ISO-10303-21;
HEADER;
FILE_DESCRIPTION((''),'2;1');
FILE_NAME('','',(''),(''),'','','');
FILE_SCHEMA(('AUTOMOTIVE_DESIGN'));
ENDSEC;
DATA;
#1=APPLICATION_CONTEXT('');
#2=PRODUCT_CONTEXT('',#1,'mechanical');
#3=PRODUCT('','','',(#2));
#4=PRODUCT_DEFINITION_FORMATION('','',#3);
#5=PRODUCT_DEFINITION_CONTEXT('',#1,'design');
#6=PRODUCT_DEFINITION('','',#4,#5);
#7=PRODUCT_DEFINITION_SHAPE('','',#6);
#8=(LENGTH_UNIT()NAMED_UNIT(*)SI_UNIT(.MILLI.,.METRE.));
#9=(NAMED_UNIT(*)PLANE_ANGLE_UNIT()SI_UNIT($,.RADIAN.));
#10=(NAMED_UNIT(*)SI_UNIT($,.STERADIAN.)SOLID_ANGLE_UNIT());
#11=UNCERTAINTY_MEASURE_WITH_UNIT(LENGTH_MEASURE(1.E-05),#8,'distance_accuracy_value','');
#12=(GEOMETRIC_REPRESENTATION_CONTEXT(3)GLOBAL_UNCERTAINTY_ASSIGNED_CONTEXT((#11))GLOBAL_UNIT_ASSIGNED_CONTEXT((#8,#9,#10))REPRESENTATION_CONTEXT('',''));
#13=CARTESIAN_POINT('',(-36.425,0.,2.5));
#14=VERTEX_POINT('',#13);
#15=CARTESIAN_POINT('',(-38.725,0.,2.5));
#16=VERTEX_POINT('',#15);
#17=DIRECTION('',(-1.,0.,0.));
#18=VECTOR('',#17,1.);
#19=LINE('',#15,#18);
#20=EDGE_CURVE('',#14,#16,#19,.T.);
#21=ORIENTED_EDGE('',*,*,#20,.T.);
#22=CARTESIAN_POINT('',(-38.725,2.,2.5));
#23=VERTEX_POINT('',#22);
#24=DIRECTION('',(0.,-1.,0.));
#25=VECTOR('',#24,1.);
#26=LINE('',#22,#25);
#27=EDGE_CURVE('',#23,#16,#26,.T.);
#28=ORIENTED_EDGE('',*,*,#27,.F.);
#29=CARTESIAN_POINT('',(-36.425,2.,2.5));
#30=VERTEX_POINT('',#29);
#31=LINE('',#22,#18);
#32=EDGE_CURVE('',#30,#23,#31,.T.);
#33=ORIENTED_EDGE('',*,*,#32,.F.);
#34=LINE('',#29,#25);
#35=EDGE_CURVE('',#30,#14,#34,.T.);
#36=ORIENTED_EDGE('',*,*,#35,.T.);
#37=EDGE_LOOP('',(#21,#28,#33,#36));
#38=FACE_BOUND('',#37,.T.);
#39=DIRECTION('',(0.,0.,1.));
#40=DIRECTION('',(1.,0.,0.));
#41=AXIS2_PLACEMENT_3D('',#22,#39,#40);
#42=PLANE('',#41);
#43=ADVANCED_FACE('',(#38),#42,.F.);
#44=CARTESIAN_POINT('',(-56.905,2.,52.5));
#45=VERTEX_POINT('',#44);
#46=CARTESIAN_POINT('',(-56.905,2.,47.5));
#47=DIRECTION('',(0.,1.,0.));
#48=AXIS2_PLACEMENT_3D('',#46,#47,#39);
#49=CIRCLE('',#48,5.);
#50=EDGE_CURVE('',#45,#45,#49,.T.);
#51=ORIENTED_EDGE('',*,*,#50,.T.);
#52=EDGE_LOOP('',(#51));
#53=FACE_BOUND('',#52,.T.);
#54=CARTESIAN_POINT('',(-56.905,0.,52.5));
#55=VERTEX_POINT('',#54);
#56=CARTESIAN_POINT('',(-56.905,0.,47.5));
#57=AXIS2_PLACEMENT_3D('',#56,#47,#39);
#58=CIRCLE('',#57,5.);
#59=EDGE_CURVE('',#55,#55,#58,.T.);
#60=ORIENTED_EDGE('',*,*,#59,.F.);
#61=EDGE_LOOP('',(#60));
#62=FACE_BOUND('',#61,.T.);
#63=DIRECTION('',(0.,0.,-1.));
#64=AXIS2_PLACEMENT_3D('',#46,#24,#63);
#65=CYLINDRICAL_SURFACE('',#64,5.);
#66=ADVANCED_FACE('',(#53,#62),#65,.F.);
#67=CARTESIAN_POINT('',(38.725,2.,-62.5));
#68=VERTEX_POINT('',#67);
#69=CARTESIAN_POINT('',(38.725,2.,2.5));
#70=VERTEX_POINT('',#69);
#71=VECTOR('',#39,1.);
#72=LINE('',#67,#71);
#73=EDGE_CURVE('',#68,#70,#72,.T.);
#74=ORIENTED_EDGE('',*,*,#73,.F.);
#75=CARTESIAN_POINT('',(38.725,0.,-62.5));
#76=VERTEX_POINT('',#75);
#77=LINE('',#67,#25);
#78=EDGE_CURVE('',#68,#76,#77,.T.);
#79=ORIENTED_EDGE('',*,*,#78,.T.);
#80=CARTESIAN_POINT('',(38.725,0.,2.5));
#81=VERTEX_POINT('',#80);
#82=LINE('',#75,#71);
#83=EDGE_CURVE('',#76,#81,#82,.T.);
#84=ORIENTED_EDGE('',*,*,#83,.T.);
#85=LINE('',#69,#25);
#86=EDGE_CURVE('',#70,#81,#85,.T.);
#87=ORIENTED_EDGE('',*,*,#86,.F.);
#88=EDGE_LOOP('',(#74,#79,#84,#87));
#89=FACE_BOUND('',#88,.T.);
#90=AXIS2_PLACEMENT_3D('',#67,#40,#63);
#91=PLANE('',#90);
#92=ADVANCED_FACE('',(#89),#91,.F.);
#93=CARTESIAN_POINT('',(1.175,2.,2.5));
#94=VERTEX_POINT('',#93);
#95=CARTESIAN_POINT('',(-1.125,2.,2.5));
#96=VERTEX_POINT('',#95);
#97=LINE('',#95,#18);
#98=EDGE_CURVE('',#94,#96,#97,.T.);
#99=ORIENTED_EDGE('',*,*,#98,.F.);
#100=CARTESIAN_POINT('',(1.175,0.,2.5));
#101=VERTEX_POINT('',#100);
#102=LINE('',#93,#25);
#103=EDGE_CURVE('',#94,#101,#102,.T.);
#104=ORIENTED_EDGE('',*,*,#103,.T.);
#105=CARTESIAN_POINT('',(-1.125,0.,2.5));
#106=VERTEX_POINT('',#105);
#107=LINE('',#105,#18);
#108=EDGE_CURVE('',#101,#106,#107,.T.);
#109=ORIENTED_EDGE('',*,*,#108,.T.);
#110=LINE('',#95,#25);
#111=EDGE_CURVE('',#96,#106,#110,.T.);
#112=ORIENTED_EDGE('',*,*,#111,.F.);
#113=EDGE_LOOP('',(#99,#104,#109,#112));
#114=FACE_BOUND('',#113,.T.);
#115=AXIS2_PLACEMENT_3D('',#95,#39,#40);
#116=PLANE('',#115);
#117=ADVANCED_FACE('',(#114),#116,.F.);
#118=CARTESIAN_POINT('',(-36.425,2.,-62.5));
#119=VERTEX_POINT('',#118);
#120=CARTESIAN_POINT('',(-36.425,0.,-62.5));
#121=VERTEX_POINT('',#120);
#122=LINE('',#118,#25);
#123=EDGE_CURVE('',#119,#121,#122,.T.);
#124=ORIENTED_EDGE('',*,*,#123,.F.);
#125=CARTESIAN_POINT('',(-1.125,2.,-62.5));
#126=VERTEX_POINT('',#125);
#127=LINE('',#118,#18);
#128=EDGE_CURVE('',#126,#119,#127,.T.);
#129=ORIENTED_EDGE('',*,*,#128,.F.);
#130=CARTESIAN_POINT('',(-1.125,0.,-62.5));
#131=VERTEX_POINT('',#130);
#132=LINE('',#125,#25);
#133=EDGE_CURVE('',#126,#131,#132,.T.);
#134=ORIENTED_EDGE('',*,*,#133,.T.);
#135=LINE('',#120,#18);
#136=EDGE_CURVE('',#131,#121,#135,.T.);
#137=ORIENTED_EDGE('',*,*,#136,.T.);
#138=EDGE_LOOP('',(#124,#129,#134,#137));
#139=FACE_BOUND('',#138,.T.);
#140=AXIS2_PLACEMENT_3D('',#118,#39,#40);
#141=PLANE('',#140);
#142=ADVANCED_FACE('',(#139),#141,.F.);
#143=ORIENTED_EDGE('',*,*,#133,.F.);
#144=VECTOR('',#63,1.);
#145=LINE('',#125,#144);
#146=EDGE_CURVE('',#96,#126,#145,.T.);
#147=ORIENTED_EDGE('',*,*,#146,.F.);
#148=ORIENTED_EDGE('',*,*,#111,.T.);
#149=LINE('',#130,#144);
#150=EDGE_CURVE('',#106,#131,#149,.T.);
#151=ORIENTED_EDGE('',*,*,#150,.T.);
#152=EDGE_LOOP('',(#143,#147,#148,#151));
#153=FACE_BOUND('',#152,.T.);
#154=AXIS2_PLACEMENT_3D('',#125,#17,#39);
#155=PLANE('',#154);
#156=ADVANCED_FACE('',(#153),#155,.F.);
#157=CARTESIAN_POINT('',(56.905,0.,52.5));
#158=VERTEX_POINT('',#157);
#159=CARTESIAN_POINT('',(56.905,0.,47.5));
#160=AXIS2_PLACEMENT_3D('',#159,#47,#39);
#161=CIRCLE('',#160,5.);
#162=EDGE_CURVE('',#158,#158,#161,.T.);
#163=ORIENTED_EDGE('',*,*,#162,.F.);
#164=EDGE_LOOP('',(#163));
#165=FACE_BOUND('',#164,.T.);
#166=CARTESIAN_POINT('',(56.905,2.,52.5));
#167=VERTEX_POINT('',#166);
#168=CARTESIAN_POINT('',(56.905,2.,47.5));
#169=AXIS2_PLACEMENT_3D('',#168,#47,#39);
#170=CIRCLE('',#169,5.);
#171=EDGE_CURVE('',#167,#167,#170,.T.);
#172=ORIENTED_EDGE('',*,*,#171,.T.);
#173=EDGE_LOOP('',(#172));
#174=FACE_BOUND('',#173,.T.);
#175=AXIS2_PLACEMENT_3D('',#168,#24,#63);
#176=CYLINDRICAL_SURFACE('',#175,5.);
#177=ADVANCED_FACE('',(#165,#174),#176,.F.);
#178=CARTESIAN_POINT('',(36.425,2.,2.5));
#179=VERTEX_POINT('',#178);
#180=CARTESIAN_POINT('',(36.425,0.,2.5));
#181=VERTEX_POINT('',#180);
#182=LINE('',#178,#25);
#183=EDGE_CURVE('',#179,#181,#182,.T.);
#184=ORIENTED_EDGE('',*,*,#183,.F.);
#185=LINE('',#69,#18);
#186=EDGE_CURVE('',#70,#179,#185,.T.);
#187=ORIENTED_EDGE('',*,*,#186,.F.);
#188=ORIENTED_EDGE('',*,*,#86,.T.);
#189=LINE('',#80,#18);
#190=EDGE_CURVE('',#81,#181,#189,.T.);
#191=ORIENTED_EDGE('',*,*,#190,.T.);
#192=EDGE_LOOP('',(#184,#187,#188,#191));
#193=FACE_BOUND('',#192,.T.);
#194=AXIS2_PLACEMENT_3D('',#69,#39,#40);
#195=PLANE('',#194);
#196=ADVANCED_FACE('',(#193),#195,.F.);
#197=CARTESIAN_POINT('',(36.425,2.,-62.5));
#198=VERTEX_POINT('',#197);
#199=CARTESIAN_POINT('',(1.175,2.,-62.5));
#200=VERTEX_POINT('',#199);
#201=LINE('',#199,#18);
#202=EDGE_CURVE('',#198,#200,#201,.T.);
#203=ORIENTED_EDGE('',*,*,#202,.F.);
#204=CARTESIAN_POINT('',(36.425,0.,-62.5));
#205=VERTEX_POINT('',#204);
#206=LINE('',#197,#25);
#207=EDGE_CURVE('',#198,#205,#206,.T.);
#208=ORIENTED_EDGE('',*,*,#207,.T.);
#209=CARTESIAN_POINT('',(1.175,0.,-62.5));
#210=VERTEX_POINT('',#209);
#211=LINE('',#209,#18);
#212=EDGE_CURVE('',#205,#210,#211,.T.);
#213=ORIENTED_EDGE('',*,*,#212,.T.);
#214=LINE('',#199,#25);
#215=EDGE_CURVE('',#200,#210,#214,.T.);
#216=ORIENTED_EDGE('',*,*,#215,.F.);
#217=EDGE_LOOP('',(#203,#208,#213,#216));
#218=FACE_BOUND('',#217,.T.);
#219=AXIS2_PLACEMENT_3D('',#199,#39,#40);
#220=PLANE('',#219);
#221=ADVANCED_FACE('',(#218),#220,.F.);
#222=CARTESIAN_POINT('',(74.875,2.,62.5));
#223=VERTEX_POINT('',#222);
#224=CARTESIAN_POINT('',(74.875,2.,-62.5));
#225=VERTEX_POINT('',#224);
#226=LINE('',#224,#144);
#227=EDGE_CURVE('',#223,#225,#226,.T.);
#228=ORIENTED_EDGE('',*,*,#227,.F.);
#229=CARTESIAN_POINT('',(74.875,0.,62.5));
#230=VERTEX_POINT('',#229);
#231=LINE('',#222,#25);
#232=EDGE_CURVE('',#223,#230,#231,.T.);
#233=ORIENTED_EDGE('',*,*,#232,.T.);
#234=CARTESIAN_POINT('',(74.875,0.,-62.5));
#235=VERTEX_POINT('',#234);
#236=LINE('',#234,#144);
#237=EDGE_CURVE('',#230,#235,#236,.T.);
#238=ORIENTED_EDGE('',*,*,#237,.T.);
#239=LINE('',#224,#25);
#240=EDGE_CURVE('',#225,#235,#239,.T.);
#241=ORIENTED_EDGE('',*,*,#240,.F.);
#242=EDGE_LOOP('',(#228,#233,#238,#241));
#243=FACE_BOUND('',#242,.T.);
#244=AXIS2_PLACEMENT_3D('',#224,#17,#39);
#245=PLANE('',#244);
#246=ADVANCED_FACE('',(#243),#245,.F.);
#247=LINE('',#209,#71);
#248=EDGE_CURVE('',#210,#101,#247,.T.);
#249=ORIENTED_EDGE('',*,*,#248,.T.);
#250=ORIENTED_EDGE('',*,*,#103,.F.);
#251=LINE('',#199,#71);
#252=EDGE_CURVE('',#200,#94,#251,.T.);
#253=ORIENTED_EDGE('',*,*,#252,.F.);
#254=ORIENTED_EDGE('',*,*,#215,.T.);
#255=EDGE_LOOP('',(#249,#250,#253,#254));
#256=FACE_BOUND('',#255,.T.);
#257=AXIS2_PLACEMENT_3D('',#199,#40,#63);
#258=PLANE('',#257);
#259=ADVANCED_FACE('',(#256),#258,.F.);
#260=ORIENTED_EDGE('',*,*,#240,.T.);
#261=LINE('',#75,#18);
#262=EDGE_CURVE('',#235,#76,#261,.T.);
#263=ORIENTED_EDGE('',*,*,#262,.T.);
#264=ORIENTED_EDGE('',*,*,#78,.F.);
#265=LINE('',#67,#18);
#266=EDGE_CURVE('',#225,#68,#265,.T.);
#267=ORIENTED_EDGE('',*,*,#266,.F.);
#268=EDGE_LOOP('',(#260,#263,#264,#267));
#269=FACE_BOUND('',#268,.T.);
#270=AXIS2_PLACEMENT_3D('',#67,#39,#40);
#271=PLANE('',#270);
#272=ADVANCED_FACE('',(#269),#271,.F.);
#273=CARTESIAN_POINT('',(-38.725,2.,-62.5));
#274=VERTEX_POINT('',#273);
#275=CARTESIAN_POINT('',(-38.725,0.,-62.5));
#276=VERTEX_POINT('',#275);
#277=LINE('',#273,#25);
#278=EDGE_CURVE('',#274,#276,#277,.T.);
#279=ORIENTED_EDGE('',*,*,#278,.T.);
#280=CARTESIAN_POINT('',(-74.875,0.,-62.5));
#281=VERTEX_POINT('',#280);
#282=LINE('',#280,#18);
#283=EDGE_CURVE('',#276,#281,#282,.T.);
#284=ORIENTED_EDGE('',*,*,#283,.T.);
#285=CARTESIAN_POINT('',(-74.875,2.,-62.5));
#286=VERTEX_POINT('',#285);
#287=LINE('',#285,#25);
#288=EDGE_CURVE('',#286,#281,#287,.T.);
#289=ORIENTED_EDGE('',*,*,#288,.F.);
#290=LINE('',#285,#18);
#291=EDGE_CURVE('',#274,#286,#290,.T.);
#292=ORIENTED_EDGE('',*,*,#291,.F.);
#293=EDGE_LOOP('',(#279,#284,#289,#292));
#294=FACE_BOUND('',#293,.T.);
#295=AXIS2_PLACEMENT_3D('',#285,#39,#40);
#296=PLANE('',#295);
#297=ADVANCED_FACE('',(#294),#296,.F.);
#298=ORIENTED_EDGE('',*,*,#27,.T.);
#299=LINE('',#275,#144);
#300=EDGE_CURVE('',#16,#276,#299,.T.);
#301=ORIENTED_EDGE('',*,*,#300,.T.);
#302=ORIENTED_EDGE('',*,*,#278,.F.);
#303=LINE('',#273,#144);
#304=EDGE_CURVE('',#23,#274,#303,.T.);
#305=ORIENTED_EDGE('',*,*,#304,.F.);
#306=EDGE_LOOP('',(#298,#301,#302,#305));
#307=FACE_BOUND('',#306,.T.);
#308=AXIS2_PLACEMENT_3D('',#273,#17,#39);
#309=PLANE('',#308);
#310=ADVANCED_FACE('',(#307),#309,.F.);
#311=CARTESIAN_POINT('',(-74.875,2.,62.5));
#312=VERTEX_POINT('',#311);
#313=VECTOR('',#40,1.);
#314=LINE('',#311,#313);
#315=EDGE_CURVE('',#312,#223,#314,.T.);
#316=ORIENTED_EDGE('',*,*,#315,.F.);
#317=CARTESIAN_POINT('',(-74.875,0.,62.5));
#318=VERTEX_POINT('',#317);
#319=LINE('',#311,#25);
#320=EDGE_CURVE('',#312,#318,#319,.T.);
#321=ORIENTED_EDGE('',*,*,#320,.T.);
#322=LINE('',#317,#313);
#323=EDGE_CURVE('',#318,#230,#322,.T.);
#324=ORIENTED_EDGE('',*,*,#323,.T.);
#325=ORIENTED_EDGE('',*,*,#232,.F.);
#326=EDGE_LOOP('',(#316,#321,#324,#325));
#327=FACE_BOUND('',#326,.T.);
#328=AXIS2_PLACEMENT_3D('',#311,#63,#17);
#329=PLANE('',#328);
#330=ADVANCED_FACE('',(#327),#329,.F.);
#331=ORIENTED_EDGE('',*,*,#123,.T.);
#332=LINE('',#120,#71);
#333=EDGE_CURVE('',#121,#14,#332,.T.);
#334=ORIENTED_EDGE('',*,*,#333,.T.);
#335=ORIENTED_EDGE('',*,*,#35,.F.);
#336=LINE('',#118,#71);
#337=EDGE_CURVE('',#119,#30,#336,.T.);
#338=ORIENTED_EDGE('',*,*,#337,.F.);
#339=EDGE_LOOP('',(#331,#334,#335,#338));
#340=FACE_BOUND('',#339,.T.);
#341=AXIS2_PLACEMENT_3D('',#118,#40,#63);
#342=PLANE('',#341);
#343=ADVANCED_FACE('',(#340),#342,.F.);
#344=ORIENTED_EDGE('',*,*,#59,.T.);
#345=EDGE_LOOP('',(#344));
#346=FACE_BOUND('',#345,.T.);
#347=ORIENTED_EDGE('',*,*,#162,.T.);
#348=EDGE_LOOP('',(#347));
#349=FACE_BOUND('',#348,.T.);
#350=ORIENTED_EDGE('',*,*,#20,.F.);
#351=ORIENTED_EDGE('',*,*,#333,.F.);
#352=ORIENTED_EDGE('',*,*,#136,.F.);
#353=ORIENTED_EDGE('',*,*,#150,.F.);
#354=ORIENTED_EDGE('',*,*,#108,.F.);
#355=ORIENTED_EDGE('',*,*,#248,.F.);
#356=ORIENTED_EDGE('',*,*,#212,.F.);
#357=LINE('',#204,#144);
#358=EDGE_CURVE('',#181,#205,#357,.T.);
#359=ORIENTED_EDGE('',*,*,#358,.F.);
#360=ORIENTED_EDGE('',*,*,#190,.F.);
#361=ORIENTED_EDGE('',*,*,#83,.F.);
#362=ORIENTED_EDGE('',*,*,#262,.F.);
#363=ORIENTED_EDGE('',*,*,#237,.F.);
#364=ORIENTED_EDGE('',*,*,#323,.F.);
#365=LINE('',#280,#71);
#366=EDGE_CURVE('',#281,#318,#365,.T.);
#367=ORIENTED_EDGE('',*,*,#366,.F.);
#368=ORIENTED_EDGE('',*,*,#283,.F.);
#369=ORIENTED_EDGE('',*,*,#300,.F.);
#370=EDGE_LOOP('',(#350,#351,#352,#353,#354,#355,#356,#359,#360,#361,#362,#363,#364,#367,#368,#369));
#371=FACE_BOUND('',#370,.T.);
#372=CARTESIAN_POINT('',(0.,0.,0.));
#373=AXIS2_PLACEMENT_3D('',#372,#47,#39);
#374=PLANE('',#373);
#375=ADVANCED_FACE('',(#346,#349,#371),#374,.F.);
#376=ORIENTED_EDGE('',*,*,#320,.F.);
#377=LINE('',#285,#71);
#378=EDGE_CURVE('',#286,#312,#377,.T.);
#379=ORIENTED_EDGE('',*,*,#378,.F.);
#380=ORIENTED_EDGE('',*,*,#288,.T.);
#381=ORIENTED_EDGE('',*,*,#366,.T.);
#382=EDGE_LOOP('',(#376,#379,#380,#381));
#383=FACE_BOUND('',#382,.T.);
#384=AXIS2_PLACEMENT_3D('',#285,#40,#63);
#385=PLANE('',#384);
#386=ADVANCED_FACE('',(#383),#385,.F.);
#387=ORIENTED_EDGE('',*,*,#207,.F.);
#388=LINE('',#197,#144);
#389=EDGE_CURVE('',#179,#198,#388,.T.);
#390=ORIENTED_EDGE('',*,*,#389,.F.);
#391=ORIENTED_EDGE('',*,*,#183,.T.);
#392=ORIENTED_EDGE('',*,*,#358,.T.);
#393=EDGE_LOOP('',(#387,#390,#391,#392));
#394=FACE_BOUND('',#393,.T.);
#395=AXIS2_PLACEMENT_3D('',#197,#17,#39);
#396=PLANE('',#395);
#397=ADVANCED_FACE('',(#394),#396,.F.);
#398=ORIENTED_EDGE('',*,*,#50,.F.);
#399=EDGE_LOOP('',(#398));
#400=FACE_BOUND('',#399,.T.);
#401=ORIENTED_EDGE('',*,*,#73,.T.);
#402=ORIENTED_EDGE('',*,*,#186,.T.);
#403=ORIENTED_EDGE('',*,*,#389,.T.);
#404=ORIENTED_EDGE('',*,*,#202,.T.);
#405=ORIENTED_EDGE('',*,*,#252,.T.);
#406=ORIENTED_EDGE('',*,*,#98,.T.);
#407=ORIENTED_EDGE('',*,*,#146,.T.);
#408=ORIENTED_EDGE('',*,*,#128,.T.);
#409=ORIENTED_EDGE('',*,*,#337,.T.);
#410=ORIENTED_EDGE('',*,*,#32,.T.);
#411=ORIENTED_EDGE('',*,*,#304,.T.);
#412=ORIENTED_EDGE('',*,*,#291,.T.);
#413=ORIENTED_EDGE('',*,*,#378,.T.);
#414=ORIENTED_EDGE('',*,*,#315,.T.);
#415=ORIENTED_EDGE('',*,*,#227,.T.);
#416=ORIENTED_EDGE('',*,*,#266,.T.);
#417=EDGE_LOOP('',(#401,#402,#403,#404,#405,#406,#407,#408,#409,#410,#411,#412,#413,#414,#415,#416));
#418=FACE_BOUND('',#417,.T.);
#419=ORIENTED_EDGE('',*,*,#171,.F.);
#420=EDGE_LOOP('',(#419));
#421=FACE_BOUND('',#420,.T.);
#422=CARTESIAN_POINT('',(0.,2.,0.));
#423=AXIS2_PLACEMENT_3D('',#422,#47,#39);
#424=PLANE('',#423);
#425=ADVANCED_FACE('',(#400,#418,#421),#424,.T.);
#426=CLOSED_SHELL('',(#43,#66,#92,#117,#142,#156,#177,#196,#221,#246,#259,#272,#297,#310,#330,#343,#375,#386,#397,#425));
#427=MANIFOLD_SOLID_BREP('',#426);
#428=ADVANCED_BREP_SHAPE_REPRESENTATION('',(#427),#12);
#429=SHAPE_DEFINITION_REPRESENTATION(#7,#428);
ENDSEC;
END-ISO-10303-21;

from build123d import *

# Parameters (mm, degrees)
SKETCH1_R           = 5
BOSS_EXTRUDE1_DEPTH = 2


with BuildPart() as part:
    # Sketch1 → Boss-Extrude1 (new body)
    with BuildSketch(Plane(origin=(0, 0, 0), x_dir=(1, 0, 0), z_dir=(0, 1, 0))):
        Polygon((1.175, 62.5), (36.425, 62.5), (36.425, -2.5), (38.725, -2.5), (38.725, 62.5), (74.875, 62.5), (74.875, -62.5), (-74.875, -62.5), (-74.875, 62.5), (-38.725, 62.5), (-38.725, -2.5), (-36.425, -2.5), (-36.425, 62.5), (-1.125, 62.5), (-1.125, -2.5), (1.175, -2.5), align=None)
        with Locations(Location((-56.905, -47.5, 0), (0, 0, 270))):
            Circle(SKETCH1_R, mode=Mode.SUBTRACT)
        with Locations(Location((56.905, -47.5, 0), (0, 0, 270))):
            Circle(SKETCH1_R, mode=Mode.SUBTRACT)
    extrude(amount=BOSS_EXTRUDE1_DEPTH)


solid = part.part
